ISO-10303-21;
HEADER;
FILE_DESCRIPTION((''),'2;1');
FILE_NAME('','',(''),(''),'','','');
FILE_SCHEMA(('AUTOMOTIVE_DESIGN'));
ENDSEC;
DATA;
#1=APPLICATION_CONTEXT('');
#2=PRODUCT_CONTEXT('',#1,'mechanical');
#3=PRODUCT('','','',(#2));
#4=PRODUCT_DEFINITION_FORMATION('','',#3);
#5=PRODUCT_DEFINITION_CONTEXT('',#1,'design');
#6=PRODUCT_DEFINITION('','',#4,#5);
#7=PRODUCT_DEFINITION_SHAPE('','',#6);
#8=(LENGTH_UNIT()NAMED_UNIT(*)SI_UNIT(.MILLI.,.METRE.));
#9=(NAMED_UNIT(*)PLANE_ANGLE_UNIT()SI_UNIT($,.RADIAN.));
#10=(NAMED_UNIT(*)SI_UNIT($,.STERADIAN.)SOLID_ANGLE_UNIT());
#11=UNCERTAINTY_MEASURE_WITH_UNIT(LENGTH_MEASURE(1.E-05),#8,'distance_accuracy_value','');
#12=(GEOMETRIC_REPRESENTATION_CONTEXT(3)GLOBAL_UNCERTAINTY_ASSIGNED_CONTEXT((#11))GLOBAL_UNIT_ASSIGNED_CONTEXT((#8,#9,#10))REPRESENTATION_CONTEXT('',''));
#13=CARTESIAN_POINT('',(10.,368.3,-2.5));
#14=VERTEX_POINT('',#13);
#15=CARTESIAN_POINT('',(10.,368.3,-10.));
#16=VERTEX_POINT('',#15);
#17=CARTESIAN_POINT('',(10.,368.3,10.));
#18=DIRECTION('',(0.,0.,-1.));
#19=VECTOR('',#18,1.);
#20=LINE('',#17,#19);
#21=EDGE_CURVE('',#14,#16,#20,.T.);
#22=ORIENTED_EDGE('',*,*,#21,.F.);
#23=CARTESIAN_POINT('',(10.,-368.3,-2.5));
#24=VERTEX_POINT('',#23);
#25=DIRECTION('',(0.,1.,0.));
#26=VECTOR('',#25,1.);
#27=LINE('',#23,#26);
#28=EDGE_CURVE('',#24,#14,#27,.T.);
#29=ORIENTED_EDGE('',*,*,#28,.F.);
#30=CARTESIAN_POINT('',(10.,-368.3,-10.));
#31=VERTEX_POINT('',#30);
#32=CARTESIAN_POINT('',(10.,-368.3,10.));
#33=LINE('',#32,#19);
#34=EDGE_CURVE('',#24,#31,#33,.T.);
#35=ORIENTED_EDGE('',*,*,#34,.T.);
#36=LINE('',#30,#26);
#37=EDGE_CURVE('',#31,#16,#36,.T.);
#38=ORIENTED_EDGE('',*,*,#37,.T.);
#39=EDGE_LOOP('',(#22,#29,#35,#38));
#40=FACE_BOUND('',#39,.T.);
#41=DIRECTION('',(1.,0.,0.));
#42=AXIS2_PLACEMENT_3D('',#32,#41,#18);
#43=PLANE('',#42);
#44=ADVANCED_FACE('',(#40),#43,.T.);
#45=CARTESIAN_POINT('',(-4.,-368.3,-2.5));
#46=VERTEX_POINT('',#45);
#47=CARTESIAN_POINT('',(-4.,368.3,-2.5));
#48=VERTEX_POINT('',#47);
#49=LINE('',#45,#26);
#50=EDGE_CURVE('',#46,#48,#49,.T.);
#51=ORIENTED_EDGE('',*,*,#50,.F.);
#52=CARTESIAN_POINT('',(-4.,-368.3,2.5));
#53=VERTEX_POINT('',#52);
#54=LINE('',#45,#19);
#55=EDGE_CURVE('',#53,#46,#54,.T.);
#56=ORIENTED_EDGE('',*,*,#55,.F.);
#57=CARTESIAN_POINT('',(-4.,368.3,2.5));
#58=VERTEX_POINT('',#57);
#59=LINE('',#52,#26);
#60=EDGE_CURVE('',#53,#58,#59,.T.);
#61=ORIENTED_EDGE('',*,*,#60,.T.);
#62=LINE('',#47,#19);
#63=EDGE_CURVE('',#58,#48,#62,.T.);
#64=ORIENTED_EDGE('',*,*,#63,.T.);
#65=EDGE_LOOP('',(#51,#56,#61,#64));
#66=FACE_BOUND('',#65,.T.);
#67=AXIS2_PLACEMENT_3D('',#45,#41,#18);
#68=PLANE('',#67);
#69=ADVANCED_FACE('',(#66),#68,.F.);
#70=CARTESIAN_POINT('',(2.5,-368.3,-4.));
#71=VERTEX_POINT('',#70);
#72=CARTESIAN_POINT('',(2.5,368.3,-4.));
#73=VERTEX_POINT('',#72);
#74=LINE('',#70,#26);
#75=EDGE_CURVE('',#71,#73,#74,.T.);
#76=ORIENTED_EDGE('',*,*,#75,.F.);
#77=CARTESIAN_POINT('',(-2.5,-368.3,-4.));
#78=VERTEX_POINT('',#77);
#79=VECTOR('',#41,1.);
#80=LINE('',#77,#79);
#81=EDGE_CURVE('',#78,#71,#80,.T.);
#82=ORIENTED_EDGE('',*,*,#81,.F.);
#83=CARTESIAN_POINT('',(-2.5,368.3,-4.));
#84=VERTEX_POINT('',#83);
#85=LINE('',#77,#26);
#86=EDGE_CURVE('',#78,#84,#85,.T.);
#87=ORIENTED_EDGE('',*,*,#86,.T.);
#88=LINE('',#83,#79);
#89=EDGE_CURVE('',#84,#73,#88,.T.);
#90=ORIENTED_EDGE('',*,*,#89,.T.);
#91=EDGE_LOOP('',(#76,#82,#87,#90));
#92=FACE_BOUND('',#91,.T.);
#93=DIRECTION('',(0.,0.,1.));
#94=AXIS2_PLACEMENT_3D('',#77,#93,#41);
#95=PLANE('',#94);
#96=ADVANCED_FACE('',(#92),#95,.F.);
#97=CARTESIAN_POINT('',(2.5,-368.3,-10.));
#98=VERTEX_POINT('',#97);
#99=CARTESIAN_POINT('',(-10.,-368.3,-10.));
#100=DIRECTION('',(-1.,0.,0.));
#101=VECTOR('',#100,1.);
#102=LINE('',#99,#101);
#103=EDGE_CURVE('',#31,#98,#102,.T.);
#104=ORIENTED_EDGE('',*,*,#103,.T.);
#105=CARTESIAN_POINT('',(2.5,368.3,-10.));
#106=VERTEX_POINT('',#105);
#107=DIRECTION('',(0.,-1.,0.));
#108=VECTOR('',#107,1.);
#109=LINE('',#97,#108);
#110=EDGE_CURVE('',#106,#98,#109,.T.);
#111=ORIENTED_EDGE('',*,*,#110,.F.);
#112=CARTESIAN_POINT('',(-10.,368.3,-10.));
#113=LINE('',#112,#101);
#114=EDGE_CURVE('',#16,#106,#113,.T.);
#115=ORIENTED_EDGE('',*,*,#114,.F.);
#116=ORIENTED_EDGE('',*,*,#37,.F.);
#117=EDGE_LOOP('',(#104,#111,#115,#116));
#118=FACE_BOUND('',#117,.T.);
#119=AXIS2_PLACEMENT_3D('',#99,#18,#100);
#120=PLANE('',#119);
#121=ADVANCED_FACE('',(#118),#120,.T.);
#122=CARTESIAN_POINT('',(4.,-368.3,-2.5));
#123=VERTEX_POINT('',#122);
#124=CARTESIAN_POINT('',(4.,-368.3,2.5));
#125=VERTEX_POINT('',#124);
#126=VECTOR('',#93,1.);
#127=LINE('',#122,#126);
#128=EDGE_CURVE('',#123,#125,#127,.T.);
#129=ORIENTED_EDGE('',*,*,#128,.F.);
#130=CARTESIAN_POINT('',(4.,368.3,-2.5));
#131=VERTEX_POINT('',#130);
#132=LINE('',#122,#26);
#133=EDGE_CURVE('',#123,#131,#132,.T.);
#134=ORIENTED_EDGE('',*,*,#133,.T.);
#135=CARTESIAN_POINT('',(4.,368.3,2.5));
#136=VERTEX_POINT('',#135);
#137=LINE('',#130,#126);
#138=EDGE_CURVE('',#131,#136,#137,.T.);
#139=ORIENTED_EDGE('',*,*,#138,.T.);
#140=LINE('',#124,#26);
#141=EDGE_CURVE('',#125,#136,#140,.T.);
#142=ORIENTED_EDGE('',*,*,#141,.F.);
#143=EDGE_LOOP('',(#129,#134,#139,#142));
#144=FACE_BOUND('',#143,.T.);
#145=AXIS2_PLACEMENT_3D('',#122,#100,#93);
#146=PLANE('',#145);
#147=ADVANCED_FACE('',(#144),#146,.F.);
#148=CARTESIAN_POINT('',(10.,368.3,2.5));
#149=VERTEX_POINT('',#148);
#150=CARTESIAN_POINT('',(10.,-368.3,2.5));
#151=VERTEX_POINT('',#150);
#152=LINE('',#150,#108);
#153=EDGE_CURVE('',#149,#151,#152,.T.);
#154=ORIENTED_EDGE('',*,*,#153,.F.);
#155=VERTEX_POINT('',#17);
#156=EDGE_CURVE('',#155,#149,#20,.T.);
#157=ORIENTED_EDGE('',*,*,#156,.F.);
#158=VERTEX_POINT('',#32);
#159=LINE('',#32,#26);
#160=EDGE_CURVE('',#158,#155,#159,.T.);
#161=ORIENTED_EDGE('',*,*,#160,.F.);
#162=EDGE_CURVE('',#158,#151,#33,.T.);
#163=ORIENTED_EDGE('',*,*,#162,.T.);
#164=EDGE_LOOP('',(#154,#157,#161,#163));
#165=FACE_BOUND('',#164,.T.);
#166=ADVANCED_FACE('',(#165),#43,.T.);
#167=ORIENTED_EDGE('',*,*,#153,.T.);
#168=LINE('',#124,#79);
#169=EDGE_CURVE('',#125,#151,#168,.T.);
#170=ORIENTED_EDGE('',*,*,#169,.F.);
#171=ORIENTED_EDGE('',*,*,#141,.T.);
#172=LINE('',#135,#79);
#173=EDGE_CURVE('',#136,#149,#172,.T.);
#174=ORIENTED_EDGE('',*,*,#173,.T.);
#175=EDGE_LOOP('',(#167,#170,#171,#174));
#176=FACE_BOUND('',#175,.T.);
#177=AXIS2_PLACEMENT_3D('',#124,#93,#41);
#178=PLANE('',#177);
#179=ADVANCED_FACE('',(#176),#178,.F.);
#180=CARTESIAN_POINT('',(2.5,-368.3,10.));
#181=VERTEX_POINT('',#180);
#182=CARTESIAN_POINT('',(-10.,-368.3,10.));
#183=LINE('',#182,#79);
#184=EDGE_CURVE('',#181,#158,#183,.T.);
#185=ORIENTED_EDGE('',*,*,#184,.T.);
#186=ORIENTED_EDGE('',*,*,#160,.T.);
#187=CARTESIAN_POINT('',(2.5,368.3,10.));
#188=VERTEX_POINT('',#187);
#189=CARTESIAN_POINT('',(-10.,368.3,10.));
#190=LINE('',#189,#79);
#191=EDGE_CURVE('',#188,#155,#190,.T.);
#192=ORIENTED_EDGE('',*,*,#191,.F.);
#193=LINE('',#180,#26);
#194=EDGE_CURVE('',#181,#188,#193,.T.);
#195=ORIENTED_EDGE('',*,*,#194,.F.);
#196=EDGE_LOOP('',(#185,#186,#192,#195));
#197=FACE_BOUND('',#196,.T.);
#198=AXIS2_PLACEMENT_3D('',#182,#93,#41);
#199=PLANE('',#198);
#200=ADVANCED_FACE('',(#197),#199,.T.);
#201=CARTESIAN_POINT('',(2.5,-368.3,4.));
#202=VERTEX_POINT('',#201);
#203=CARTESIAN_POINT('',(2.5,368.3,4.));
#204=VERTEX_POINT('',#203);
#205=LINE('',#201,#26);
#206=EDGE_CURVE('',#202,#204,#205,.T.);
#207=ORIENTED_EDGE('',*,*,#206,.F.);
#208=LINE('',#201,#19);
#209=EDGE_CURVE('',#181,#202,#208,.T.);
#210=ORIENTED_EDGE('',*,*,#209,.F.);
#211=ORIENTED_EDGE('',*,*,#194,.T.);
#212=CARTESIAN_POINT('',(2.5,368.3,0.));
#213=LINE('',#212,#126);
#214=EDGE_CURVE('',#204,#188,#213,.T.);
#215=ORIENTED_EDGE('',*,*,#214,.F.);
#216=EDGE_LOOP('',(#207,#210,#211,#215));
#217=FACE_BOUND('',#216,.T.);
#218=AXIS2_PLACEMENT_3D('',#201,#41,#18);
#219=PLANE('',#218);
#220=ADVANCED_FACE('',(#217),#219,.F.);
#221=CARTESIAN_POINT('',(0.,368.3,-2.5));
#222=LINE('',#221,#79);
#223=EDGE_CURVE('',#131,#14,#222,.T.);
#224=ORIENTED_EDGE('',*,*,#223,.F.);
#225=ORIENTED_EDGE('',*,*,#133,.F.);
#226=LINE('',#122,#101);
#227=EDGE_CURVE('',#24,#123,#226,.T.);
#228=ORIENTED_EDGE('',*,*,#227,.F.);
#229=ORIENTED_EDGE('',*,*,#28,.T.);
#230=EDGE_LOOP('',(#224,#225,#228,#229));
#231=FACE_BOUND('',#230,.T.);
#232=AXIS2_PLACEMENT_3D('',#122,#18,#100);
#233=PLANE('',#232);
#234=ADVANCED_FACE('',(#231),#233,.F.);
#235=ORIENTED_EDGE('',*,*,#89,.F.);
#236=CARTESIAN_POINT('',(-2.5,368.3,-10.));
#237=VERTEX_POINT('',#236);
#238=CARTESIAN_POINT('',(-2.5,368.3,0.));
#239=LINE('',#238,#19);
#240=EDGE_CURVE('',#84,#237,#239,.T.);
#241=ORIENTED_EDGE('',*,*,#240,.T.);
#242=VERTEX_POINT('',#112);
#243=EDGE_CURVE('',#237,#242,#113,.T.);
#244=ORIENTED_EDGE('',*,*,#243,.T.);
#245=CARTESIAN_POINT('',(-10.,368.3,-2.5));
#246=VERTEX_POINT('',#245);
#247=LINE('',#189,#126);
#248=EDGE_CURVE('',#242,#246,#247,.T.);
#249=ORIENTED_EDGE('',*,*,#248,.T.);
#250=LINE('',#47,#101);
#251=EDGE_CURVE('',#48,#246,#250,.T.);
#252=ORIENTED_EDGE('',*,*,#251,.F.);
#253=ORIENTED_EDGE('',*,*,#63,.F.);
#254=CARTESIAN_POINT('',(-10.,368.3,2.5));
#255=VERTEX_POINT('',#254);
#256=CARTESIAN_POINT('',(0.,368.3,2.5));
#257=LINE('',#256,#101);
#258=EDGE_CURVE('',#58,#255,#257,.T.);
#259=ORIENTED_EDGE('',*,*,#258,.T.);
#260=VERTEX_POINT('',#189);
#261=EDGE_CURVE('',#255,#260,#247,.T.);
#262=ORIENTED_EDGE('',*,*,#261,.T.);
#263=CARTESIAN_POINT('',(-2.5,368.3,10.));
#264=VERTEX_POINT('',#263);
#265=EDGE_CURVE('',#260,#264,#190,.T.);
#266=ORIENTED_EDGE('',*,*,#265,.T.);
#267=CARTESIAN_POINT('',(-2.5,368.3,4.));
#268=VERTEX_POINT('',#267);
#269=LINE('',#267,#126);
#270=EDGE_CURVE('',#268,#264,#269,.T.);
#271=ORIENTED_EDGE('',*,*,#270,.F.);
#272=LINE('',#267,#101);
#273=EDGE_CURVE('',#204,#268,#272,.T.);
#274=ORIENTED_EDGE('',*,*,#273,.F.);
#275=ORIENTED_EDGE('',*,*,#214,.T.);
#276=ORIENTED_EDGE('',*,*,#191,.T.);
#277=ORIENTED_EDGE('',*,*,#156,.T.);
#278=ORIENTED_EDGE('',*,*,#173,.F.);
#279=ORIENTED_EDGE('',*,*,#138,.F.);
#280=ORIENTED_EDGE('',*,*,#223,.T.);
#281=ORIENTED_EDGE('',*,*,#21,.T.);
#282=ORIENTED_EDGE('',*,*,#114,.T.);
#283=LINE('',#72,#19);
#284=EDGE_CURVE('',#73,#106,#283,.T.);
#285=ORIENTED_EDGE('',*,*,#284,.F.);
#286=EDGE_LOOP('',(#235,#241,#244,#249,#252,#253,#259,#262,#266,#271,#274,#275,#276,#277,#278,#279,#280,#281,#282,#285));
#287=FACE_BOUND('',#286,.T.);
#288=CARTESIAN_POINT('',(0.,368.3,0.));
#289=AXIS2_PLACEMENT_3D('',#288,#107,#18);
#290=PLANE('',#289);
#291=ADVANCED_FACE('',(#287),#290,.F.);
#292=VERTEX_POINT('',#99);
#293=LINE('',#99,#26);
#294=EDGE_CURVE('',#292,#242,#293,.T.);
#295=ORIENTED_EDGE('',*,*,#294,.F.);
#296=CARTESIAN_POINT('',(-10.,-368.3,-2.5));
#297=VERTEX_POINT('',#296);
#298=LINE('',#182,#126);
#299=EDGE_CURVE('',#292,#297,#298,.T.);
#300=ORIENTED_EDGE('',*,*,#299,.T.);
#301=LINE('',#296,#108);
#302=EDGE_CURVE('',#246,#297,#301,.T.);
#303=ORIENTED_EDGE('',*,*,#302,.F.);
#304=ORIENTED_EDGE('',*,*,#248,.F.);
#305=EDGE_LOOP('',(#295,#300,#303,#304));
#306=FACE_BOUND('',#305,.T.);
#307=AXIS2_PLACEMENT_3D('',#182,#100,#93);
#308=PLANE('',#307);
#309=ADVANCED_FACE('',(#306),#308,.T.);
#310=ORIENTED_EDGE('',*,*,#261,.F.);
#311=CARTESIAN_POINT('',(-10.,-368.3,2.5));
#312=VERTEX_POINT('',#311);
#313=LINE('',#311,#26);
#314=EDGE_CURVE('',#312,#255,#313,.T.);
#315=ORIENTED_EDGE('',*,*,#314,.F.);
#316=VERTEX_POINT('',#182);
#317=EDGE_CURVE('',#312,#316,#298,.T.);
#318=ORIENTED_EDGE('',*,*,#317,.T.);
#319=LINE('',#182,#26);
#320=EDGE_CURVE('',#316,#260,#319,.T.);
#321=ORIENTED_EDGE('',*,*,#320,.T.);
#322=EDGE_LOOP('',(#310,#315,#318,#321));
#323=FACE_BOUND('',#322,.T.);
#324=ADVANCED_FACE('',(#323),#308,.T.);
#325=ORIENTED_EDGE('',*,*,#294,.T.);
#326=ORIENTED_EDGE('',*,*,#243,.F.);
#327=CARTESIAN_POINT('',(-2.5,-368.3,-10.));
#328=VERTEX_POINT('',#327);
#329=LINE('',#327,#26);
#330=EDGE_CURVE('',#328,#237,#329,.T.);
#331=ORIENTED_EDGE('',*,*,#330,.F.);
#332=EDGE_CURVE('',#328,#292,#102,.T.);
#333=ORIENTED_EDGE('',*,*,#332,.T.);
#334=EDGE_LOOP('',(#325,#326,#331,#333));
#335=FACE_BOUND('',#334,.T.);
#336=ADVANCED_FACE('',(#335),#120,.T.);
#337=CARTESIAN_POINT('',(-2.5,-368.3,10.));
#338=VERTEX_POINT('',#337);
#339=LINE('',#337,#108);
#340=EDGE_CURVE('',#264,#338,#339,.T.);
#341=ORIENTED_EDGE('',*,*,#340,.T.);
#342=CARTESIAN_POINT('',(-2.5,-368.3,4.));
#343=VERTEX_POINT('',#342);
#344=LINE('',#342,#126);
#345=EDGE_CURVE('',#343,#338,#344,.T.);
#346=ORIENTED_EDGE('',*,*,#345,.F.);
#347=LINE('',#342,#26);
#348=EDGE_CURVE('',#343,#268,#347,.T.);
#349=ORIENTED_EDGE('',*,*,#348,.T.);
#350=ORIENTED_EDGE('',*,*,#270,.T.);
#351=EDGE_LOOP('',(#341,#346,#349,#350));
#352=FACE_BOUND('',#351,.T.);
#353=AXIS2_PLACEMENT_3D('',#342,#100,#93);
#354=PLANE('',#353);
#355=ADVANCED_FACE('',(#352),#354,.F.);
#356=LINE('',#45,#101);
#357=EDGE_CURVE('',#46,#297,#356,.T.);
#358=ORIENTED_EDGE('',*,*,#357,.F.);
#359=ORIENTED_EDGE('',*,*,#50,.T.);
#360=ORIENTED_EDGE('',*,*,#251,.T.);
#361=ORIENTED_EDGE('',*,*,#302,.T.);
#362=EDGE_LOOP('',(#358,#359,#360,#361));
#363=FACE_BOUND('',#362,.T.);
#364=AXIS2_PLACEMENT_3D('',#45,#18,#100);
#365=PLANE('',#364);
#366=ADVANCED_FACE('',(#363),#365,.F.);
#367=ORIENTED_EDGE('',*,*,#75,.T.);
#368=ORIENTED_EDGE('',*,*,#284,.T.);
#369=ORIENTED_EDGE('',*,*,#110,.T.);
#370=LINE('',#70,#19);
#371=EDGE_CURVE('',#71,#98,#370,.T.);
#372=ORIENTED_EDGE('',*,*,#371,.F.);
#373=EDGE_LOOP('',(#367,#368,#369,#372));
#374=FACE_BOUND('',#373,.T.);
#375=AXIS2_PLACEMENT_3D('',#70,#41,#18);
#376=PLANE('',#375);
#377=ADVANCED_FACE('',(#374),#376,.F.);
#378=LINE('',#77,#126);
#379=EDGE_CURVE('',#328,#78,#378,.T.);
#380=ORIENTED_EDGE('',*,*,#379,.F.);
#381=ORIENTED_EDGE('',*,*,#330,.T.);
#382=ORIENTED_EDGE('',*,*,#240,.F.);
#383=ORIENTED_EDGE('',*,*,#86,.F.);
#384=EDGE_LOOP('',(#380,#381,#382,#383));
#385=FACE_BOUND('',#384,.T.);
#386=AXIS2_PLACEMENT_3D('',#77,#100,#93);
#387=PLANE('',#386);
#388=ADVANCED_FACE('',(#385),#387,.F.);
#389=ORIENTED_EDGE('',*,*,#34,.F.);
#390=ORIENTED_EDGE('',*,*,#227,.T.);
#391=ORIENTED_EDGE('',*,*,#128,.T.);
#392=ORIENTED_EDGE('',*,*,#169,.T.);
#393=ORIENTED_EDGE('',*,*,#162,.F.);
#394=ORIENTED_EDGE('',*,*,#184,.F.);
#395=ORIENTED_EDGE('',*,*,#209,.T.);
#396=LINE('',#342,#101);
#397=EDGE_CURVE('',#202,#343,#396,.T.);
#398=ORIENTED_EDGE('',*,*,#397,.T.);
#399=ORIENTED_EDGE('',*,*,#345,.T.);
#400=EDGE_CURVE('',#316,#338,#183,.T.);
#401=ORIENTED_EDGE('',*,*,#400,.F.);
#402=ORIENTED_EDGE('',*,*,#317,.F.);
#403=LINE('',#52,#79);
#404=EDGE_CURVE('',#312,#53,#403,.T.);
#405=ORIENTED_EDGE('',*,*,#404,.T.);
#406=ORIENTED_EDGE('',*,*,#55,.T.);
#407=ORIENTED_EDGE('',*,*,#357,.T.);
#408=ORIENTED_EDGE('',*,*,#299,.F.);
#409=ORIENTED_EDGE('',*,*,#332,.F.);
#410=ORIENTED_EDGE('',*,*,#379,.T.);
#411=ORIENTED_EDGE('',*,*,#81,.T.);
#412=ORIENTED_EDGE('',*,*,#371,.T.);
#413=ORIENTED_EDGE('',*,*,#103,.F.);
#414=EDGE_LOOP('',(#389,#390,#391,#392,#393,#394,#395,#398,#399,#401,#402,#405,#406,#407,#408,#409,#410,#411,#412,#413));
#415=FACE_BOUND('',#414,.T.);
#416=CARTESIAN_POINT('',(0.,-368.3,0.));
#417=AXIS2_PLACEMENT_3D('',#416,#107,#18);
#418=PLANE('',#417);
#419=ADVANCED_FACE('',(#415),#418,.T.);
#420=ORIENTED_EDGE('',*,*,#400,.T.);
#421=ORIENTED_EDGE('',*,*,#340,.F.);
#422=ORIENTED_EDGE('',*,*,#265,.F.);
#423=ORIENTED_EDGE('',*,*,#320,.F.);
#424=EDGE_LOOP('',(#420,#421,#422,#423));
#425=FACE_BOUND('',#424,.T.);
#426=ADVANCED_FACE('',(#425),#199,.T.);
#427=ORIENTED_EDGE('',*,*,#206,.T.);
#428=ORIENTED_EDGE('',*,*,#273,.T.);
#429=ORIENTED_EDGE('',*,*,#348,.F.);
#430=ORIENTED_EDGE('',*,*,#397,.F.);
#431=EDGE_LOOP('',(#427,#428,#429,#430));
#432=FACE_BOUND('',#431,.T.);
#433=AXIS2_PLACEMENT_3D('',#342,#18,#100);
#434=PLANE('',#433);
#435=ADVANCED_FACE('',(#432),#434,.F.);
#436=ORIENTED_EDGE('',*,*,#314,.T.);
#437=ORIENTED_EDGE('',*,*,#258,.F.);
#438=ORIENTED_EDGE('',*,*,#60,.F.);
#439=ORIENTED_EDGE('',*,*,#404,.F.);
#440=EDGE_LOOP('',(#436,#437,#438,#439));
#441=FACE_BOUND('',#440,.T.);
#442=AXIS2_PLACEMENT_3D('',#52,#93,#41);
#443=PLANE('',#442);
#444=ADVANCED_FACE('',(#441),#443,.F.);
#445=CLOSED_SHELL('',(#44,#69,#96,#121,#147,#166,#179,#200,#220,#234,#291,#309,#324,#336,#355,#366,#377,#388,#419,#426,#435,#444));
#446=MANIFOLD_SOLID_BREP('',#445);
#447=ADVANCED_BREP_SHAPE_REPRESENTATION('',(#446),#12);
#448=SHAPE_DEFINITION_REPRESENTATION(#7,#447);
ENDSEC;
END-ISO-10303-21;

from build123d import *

# Parameters (mm, degrees)
BOSS_EXTRUDE1_DEPTH      = 368.3
BOSS_EXTRUDE1_DEPTH_BACK = 368.3
SKETCH1_W                = 20
SKETCH1_H                = 20
CUT_EXTRUDE1_DEPTH       = 369.571417774
CUT_EXTRUDE1_DEPTH_BACK  = 369.571417774
SKETCH2_W                = 5
SKETCH2_H                = 12
SKETCH2_W_2              = 12
SKETCH2_H_2              = 5


with BuildPart() as part:
    # Sketch1 → Boss-Extrude1 (new, two sides: drawn at the far end of the back side and taken through both)
    with BuildSketch(Plane(origin=(0, 0, 0), x_dir=(1, 0, 0), z_dir=(0, 1, 0)).offset(-BOSS_EXTRUDE1_DEPTH_BACK)):
        Rectangle(SKETCH1_W, SKETCH1_H)
    extrude(amount=BOSS_EXTRUDE1_DEPTH + BOSS_EXTRUDE1_DEPTH_BACK)

    # Sketch2 → Cut-Extrude1 (cut, two sides: drawn at the far end of the back side and taken through both)
    with BuildSketch(Plane(origin=(0, 0, 0), x_dir=(1, 0, 0), z_dir=(0, 1, 0)).offset(-CUT_EXTRUDE1_DEPTH_BACK)):
        with Locations((0, 10)):
            Rectangle(SKETCH2_W, SKETCH2_H)
        with Locations((10, 0)):
            Rectangle(SKETCH2_W_2, SKETCH2_H_2)
        with Locations((-10, 0)):
            Rectangle(SKETCH2_W_2, SKETCH2_H_2)
        with Locations((0, -10)):
            Rectangle(SKETCH2_W, SKETCH2_H)
    extrude(amount=CUT_EXTRUDE1_DEPTH + CUT_EXTRUDE1_DEPTH_BACK, mode=Mode.SUBTRACT)


solid = part.part
